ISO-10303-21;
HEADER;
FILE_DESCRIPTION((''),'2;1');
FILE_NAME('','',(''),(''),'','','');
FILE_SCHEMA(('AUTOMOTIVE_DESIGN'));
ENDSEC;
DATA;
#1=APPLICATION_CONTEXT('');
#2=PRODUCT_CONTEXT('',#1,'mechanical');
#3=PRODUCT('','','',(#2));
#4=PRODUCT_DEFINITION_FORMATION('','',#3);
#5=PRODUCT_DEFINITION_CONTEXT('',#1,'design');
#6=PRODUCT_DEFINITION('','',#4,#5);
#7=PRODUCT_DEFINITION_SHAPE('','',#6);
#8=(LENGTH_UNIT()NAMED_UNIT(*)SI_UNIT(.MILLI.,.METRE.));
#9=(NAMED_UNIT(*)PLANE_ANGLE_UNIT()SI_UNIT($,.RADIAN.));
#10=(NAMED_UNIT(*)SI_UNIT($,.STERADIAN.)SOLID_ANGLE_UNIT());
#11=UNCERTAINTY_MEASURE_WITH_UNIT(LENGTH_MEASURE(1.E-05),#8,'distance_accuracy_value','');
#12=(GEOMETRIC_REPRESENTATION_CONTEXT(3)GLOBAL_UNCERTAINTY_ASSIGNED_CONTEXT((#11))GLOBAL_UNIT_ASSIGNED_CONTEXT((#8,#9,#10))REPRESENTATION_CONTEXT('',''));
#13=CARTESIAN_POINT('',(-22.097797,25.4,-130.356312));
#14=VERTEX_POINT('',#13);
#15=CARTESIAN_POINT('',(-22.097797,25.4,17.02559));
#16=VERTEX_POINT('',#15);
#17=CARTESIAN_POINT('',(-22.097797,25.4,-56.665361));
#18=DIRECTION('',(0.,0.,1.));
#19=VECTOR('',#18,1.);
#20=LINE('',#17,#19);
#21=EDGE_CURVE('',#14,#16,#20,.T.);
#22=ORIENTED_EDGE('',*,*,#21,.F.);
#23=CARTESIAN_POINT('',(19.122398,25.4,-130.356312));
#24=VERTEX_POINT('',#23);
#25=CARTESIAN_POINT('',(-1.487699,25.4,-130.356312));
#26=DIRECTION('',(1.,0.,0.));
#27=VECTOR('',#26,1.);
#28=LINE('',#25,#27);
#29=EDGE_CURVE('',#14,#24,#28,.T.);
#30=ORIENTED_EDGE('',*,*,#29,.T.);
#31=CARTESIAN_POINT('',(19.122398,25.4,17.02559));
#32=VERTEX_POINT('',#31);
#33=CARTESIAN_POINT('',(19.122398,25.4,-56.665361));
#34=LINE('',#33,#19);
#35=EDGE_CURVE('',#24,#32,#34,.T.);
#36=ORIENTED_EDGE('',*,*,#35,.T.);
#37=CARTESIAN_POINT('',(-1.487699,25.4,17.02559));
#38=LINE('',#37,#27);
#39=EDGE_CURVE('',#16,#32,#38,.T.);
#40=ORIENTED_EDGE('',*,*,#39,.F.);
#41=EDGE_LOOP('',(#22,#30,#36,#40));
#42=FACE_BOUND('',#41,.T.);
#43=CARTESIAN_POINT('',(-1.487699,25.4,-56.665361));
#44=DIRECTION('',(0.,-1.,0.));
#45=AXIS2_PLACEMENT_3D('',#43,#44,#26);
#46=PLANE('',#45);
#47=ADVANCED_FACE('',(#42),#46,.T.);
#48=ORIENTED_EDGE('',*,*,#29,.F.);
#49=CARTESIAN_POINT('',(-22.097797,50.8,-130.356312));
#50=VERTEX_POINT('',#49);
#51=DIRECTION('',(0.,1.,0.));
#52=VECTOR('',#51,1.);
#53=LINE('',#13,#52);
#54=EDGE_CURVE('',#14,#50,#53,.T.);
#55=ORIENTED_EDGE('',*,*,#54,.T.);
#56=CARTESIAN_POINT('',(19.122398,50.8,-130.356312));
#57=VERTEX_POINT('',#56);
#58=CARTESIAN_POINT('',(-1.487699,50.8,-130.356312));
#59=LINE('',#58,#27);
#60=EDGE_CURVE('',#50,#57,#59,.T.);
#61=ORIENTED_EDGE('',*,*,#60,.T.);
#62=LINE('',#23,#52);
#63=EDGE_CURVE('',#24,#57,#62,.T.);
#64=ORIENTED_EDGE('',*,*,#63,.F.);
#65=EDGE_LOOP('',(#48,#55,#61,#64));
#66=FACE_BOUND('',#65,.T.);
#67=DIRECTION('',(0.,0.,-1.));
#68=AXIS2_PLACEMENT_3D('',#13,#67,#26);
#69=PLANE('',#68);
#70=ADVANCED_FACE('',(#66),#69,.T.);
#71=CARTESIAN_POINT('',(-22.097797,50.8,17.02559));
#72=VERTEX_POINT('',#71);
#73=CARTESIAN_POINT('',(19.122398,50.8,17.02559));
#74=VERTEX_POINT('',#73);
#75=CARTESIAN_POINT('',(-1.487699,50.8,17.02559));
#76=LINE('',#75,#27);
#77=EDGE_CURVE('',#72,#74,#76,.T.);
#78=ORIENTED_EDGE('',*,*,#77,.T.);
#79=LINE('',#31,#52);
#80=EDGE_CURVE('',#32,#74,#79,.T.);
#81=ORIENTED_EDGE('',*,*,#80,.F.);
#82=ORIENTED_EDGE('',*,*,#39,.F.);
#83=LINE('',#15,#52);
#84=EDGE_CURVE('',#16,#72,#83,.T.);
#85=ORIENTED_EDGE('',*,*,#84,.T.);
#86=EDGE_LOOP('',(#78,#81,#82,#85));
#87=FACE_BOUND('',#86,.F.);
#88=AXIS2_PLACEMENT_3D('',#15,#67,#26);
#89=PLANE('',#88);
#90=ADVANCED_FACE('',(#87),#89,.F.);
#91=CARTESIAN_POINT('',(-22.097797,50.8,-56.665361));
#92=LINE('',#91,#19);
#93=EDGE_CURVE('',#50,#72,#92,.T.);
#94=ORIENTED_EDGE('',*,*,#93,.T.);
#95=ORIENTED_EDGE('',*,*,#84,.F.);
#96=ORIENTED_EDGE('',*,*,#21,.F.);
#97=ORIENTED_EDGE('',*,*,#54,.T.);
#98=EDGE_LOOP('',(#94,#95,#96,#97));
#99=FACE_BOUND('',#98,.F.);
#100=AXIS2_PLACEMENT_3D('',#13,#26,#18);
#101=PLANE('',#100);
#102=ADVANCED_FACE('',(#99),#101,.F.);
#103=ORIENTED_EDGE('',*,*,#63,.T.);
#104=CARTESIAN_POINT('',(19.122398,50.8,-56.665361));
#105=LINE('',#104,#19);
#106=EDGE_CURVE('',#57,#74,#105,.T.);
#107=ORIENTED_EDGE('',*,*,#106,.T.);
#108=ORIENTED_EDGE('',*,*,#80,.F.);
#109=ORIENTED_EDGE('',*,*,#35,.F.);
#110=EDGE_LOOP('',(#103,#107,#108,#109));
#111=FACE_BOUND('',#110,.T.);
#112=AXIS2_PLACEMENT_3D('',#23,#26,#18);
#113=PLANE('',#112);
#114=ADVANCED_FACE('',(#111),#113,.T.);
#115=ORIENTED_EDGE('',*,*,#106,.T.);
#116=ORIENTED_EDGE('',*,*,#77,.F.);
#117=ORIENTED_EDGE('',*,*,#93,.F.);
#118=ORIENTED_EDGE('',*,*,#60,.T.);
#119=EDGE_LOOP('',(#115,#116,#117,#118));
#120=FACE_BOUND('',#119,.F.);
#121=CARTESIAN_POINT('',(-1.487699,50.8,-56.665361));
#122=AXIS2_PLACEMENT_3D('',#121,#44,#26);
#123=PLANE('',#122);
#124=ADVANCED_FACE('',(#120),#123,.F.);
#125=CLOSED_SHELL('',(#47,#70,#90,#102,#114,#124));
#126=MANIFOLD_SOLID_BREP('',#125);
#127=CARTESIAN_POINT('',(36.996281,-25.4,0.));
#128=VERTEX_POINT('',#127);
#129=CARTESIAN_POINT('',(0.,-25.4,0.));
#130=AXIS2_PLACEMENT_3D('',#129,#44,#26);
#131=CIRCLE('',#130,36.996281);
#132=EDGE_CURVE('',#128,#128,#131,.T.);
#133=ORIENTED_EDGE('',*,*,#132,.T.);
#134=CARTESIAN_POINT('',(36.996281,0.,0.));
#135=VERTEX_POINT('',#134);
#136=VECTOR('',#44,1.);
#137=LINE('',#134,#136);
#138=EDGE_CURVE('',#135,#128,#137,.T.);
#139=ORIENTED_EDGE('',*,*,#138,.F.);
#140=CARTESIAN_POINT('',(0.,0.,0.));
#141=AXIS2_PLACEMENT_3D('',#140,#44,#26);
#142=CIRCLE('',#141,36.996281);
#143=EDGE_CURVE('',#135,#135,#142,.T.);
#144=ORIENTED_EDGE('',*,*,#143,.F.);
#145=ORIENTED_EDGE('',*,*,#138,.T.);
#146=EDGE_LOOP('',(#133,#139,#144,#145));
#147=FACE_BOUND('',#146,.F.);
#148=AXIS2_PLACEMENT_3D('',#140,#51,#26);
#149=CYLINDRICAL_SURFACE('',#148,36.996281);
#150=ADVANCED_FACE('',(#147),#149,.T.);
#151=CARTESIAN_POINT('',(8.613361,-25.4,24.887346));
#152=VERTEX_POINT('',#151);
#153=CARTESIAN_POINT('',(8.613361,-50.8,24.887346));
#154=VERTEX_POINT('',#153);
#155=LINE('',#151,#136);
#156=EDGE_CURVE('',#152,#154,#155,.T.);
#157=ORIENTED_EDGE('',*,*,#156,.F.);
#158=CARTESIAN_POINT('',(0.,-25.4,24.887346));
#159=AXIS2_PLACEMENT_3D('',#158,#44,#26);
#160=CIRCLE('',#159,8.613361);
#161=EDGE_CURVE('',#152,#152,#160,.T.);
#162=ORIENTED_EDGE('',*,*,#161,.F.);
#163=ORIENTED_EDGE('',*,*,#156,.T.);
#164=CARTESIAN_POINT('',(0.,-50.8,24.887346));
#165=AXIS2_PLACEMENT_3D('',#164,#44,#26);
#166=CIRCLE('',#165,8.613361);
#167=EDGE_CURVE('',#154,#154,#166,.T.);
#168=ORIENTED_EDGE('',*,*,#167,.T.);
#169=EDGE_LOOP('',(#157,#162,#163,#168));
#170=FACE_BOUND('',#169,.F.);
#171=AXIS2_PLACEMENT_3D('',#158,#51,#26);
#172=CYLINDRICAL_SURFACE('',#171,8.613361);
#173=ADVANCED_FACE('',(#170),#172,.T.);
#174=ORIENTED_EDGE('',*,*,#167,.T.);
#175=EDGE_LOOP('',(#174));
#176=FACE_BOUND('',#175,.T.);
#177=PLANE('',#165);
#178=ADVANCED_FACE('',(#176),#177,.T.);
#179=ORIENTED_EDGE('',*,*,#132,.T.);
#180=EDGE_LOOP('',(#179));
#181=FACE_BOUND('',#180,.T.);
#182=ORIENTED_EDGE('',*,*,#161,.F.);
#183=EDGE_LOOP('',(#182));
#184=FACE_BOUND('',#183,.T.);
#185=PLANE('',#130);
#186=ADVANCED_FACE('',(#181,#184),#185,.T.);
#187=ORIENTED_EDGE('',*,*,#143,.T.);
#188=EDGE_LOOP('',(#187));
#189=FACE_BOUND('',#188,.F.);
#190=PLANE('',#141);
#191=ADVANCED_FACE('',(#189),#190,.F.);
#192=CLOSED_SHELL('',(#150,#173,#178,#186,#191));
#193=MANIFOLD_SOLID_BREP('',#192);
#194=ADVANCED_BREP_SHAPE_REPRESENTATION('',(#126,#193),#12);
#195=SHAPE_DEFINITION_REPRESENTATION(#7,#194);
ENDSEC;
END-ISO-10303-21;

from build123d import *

# Parameters (mm, degrees)
F0_R     = 36.996281
F1_DEPTH = 25.4
F2_R     = 8.613361
F3_DEPTH = 25.4
F5_W     = 41.220195
F5_H     = 147.381902
F6_DEPTH = 25.4


with BuildPart() as f1:
    # F0 (on Front) → F1 (new body)
    with BuildSketch(Plane.XZ):
        Circle(F0_R)
    extrude(amount=F1_DEPTH)

    # F2 (on face) → F3 (join)
    with BuildSketch(Plane.XZ.offset(25.4)):
        with Locations((0, 24.887346)):
            Circle(F2_R)
    extrude(amount=F3_DEPTH)


with BuildPart() as f6:
    # F5 (on offset) → F6 (new body)
    with BuildSketch(Plane.XZ.offset(-25.4)):
        with Locations((-1.487699, -56.665361)):
            Rectangle(F5_W, F5_H)
    extrude(amount=-F6_DEPTH)


solid = Compound([f1.part, f6.part])
